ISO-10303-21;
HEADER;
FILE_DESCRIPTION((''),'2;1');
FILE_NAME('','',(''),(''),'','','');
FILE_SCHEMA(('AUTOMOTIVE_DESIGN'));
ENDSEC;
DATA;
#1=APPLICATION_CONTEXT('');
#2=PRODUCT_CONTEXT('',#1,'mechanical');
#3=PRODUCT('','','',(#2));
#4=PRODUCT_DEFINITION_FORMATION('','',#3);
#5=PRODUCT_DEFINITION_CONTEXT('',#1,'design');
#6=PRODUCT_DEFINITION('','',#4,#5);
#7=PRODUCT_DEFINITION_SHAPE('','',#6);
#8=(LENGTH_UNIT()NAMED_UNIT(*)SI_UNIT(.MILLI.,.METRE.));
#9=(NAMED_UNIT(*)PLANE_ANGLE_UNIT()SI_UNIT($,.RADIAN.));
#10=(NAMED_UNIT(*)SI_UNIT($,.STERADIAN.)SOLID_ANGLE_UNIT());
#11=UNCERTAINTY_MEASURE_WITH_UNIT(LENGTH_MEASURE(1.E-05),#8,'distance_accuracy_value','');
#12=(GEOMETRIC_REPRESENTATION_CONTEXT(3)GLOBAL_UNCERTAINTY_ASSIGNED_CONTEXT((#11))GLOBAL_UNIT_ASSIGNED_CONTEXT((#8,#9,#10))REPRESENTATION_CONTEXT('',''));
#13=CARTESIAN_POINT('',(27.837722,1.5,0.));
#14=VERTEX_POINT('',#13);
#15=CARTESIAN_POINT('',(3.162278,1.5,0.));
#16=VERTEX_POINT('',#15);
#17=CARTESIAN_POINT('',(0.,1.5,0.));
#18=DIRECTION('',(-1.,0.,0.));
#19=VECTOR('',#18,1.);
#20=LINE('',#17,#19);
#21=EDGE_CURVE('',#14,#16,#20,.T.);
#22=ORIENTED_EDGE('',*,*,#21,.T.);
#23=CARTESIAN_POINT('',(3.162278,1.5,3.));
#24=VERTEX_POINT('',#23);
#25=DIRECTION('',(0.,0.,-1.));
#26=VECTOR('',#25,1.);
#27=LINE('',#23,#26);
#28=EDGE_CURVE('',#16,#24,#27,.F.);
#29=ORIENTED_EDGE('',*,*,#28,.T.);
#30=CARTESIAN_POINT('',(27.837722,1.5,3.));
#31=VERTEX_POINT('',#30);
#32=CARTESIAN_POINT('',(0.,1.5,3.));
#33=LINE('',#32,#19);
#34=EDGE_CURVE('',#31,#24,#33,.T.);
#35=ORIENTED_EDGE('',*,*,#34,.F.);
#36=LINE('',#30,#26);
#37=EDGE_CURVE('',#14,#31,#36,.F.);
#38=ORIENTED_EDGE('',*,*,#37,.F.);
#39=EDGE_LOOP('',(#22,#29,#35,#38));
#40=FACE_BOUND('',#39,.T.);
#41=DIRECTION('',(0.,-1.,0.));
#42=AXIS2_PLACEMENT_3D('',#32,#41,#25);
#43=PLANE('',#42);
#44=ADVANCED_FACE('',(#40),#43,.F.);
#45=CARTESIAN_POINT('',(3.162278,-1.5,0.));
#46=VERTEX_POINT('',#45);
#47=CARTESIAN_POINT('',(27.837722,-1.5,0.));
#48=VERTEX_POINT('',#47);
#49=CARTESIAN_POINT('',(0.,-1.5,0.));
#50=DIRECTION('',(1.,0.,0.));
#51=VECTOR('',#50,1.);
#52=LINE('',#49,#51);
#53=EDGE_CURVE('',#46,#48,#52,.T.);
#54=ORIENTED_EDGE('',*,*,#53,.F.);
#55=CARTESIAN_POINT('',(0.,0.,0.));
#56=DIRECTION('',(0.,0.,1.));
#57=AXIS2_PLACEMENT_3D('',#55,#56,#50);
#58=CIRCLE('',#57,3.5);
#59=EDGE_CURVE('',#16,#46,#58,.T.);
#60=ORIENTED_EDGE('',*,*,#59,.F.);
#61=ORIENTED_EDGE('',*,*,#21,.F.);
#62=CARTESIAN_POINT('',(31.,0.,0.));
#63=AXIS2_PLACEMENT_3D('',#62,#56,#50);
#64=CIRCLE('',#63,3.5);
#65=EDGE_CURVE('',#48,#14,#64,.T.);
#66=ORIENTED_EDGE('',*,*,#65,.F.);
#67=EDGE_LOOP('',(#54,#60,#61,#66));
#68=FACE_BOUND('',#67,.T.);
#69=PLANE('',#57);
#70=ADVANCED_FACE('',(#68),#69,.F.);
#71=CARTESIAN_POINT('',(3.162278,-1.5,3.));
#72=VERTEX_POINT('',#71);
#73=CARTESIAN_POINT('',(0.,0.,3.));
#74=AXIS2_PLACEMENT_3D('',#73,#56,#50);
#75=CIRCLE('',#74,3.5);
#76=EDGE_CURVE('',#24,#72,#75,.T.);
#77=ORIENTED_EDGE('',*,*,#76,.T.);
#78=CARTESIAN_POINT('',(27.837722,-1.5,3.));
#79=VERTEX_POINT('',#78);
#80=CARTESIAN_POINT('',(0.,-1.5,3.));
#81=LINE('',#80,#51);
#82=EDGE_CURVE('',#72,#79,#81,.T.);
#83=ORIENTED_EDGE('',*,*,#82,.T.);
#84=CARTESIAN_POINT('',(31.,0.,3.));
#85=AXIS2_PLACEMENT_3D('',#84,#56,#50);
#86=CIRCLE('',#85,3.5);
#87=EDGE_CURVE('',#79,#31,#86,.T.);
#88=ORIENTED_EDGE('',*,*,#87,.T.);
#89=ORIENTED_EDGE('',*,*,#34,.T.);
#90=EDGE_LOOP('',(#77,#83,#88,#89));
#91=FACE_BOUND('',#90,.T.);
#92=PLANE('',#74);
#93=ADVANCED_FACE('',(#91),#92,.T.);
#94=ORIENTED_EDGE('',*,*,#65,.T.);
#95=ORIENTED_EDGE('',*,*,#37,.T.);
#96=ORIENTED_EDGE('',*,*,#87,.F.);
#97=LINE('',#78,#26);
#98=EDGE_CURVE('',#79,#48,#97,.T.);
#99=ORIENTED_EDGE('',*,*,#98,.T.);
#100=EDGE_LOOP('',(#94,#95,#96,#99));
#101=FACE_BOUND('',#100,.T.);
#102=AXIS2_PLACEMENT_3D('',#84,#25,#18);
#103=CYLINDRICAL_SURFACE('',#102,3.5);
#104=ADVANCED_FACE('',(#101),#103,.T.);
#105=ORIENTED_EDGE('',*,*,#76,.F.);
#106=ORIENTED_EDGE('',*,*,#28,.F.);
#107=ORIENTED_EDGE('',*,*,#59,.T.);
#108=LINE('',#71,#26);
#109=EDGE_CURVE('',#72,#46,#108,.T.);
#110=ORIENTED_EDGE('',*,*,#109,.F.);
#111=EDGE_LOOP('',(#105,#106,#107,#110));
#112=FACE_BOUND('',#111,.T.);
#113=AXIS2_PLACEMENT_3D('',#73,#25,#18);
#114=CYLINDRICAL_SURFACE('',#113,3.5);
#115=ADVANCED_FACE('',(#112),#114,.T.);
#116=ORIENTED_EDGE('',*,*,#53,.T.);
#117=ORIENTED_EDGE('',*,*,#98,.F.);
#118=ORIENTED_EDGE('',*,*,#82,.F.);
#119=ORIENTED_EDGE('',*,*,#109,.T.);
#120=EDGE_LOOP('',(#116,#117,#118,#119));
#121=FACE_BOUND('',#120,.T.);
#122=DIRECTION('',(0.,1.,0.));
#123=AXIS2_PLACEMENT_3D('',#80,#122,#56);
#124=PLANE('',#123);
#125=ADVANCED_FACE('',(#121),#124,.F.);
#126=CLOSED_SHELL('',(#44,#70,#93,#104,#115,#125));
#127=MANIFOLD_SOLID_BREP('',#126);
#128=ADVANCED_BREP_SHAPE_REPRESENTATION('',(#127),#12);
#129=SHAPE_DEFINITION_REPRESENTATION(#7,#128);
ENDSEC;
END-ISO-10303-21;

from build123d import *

# Parameters (mm, degrees)
SKETCH1_R           = 3.5
BOSS_EXTRUDE1_DEPTH = 3
SKETCH2_R           = 3.5
BOSS_EXTRUDE2_DEPTH = 3
SKETCH3_W           = 31
SKETCH3_H           = 3
BOSS_EXTRUDE3_DEPTH = 3


with BuildPart() as part:
    # Sketch1 → Boss-Extrude1 (new body)
    with BuildSketch(Plane.XY):
        Circle(SKETCH1_R)
    extrude(amount=BOSS_EXTRUDE1_DEPTH)



with BuildPart() as body_2:
    # Sketch2 → Boss-Extrude2 (new body)
    with BuildSketch(Plane.XY):
        with Locations((31, 0)):
            Circle(SKETCH2_R)
    extrude(amount=BOSS_EXTRUDE2_DEPTH)


with BuildPart() as part_1:
    add(part.part)

    add(body_2.part)  # Boss-Extrude3 merges body 2
    # Sketch3 → Boss-Extrude3 (add)
    with BuildSketch(Plane.XY):
        with Locations((15.5, 0)):
            Rectangle(SKETCH3_W, SKETCH3_H)
    extrude(amount=BOSS_EXTRUDE3_DEPTH)


solid = part_1.part
